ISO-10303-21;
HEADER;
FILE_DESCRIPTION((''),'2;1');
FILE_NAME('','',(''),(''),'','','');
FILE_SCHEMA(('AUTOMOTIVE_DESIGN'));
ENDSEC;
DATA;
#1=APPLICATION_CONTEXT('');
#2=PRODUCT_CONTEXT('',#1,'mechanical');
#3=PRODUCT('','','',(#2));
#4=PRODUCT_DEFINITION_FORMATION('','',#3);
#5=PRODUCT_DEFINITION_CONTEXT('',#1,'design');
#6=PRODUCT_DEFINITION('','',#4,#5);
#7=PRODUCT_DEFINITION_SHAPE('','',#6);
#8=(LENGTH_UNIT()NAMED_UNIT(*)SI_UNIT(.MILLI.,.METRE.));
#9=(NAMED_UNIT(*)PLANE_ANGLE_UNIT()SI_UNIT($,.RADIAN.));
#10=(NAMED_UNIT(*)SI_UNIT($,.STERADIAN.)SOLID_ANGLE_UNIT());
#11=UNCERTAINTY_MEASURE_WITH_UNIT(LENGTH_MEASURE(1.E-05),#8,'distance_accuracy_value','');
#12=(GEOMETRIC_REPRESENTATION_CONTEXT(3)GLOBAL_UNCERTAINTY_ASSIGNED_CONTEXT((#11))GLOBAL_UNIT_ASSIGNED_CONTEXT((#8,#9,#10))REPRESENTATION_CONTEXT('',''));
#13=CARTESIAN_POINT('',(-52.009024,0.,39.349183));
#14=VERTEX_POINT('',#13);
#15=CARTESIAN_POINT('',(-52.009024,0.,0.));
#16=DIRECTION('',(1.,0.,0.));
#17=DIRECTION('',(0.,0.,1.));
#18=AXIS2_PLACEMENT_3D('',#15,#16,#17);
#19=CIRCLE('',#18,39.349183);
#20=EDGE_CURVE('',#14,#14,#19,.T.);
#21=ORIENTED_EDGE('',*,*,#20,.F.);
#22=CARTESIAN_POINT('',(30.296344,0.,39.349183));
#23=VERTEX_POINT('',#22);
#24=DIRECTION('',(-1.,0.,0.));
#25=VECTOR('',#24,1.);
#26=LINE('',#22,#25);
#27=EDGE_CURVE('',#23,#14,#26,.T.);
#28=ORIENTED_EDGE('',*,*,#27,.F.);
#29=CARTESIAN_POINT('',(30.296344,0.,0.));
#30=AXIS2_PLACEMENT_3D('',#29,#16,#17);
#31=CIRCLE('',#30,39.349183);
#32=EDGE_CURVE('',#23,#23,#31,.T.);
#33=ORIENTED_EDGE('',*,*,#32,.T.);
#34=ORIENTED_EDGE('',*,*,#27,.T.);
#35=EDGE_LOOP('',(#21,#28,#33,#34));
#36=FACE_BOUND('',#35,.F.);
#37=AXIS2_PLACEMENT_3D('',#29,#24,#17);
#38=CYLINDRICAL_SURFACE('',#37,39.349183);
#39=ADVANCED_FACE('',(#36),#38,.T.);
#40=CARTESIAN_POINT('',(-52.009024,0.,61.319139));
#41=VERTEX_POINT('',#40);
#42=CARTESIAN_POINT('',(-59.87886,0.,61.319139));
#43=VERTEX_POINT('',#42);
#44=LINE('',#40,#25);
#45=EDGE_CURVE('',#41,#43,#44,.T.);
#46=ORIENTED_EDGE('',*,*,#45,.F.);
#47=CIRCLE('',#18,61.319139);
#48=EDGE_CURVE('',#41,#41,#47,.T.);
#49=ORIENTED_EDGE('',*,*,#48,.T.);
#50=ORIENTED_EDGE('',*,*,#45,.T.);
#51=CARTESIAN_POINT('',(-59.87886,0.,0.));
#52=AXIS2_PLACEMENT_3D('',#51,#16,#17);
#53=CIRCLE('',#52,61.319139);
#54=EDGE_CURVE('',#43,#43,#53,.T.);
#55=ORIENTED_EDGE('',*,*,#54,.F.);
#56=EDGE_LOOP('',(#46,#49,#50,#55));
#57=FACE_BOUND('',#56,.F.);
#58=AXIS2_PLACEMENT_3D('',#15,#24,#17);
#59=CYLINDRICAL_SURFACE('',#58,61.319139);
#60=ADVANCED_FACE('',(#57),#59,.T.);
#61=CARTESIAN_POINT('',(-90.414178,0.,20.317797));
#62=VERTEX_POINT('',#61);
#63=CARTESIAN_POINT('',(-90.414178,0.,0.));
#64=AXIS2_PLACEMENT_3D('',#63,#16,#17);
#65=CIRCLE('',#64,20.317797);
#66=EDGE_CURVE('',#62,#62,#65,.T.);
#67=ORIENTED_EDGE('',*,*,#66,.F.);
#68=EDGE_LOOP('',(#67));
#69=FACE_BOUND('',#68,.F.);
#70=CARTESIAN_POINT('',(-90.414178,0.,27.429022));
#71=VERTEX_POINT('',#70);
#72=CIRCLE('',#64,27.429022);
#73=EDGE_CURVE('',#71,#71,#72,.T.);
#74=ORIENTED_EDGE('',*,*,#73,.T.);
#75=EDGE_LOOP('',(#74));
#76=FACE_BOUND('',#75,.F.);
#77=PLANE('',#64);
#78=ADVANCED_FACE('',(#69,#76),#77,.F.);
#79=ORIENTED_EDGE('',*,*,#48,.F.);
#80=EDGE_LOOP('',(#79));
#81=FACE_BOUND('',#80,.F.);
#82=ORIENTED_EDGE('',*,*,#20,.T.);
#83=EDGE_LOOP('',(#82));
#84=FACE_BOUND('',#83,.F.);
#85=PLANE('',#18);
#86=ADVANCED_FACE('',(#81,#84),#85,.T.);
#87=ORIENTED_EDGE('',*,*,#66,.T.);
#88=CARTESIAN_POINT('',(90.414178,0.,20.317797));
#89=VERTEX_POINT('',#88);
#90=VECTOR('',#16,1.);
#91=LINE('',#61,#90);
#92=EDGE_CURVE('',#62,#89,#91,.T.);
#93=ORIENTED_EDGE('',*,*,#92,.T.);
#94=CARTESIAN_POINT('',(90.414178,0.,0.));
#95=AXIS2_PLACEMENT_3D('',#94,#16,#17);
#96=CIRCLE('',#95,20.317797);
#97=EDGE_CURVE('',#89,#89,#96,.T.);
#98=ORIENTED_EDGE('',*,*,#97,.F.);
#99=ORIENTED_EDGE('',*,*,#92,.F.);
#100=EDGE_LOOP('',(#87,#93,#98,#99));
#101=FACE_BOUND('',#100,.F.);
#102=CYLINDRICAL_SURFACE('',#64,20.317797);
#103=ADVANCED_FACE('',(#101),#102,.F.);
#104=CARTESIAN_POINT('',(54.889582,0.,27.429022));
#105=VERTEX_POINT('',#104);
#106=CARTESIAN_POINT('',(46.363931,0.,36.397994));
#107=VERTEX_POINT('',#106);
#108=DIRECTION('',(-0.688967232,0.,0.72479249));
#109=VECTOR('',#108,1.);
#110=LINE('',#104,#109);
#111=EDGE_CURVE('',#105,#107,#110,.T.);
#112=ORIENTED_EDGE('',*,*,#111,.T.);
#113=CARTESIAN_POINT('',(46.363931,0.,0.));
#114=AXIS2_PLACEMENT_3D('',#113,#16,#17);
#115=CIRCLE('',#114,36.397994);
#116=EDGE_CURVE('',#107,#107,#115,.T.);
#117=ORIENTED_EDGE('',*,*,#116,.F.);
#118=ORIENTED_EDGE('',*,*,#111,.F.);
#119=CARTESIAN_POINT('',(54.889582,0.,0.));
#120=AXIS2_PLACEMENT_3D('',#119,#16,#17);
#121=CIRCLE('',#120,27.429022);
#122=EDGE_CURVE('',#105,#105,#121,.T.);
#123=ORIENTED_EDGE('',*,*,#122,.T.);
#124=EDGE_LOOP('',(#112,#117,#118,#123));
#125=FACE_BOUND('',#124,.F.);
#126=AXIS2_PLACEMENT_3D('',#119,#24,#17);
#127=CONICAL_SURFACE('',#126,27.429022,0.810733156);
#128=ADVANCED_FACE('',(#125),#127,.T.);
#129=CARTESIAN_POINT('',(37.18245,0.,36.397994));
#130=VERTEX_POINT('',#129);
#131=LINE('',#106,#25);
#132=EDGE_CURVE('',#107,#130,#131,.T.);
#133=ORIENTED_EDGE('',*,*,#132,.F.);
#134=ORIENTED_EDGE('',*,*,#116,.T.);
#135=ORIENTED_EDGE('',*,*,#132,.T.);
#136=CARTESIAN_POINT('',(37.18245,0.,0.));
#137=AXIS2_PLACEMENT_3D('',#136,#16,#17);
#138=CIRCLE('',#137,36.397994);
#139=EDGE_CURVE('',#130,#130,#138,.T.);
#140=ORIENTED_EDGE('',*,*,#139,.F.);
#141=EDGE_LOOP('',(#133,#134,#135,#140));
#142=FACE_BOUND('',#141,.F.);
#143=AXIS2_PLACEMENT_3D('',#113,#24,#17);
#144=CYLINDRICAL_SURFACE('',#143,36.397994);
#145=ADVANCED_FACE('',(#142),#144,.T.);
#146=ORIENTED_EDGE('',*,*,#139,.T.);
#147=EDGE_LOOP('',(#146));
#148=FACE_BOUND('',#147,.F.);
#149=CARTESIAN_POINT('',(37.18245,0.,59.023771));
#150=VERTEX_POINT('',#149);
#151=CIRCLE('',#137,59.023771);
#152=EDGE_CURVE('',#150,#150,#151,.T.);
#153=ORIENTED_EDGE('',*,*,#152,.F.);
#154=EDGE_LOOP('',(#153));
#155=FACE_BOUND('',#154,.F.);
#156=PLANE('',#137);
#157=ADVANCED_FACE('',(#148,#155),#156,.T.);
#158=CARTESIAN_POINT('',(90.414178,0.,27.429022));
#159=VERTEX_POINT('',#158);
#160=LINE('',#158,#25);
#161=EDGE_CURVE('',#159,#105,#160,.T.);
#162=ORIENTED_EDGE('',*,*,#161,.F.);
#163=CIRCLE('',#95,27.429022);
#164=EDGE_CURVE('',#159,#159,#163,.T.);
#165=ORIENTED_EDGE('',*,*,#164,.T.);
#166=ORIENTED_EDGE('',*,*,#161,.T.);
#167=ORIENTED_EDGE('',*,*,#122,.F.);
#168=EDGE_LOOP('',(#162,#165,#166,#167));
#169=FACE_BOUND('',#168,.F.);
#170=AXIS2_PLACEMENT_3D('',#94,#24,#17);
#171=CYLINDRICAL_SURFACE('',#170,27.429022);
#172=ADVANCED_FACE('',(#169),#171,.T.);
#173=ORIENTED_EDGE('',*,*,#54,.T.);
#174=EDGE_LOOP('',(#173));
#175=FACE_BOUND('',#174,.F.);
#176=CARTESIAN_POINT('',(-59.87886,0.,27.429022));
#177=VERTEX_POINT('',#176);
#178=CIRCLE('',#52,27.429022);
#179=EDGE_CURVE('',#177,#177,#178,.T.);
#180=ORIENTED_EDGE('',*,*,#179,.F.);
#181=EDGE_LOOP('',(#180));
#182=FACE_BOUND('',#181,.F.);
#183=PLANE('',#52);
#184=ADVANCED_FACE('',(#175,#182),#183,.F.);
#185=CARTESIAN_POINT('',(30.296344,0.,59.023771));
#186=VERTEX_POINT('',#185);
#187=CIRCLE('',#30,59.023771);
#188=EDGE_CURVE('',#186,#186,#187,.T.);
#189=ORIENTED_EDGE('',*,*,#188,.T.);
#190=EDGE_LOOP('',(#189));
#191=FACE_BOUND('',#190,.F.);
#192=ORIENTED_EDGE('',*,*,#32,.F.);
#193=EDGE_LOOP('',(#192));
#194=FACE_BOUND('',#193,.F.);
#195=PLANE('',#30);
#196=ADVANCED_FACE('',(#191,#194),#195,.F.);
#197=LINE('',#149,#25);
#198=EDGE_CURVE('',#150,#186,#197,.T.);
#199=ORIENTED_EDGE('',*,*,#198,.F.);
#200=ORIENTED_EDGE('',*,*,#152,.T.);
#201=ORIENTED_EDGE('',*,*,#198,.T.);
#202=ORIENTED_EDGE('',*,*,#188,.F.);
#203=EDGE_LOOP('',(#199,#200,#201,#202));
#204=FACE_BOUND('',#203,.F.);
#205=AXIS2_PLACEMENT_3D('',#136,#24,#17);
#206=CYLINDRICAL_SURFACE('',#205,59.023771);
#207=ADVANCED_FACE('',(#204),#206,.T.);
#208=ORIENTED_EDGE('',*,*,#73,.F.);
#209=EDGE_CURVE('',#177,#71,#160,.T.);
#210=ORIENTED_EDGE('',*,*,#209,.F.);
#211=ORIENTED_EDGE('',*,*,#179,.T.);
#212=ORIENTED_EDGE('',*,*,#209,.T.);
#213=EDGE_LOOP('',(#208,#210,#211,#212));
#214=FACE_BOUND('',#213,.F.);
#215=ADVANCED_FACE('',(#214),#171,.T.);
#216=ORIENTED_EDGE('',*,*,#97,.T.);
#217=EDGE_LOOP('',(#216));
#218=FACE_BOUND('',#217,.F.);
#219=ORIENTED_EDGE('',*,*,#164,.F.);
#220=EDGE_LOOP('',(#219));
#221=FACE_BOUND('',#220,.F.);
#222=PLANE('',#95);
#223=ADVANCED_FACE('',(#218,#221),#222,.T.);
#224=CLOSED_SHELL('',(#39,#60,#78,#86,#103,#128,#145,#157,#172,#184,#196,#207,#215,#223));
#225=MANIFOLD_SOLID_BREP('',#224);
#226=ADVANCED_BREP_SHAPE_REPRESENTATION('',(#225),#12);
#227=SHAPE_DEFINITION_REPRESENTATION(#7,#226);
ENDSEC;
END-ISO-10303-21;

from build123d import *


with BuildPart() as f1:
    # F0 (on Front) → F1 (revolve)
    with BuildSketch(Plane.XZ):
        Polygon((-59.87886, 27.429022), (-90.414178, 27.429022), (-90.414178, 20.317797), (90.414178, 20.317797), (90.414178, 27.429022), (54.889582, 27.429022), align=None)
        Polygon((-59.87886, 61.319139), (-59.87886, 27.429022), (54.889582, 27.429022), (46.363931, 36.397994), (37.18245, 36.397994), (37.18245, 59.023771), (30.296344, 59.023771), (30.296344, 39.349183), (-52.009024, 39.349183), (-52.009024, 61.319139), align=None)
    revolve(axis=Axis((4.317533, 0, 0), (1, 0, 0)))


solid = f1.part
